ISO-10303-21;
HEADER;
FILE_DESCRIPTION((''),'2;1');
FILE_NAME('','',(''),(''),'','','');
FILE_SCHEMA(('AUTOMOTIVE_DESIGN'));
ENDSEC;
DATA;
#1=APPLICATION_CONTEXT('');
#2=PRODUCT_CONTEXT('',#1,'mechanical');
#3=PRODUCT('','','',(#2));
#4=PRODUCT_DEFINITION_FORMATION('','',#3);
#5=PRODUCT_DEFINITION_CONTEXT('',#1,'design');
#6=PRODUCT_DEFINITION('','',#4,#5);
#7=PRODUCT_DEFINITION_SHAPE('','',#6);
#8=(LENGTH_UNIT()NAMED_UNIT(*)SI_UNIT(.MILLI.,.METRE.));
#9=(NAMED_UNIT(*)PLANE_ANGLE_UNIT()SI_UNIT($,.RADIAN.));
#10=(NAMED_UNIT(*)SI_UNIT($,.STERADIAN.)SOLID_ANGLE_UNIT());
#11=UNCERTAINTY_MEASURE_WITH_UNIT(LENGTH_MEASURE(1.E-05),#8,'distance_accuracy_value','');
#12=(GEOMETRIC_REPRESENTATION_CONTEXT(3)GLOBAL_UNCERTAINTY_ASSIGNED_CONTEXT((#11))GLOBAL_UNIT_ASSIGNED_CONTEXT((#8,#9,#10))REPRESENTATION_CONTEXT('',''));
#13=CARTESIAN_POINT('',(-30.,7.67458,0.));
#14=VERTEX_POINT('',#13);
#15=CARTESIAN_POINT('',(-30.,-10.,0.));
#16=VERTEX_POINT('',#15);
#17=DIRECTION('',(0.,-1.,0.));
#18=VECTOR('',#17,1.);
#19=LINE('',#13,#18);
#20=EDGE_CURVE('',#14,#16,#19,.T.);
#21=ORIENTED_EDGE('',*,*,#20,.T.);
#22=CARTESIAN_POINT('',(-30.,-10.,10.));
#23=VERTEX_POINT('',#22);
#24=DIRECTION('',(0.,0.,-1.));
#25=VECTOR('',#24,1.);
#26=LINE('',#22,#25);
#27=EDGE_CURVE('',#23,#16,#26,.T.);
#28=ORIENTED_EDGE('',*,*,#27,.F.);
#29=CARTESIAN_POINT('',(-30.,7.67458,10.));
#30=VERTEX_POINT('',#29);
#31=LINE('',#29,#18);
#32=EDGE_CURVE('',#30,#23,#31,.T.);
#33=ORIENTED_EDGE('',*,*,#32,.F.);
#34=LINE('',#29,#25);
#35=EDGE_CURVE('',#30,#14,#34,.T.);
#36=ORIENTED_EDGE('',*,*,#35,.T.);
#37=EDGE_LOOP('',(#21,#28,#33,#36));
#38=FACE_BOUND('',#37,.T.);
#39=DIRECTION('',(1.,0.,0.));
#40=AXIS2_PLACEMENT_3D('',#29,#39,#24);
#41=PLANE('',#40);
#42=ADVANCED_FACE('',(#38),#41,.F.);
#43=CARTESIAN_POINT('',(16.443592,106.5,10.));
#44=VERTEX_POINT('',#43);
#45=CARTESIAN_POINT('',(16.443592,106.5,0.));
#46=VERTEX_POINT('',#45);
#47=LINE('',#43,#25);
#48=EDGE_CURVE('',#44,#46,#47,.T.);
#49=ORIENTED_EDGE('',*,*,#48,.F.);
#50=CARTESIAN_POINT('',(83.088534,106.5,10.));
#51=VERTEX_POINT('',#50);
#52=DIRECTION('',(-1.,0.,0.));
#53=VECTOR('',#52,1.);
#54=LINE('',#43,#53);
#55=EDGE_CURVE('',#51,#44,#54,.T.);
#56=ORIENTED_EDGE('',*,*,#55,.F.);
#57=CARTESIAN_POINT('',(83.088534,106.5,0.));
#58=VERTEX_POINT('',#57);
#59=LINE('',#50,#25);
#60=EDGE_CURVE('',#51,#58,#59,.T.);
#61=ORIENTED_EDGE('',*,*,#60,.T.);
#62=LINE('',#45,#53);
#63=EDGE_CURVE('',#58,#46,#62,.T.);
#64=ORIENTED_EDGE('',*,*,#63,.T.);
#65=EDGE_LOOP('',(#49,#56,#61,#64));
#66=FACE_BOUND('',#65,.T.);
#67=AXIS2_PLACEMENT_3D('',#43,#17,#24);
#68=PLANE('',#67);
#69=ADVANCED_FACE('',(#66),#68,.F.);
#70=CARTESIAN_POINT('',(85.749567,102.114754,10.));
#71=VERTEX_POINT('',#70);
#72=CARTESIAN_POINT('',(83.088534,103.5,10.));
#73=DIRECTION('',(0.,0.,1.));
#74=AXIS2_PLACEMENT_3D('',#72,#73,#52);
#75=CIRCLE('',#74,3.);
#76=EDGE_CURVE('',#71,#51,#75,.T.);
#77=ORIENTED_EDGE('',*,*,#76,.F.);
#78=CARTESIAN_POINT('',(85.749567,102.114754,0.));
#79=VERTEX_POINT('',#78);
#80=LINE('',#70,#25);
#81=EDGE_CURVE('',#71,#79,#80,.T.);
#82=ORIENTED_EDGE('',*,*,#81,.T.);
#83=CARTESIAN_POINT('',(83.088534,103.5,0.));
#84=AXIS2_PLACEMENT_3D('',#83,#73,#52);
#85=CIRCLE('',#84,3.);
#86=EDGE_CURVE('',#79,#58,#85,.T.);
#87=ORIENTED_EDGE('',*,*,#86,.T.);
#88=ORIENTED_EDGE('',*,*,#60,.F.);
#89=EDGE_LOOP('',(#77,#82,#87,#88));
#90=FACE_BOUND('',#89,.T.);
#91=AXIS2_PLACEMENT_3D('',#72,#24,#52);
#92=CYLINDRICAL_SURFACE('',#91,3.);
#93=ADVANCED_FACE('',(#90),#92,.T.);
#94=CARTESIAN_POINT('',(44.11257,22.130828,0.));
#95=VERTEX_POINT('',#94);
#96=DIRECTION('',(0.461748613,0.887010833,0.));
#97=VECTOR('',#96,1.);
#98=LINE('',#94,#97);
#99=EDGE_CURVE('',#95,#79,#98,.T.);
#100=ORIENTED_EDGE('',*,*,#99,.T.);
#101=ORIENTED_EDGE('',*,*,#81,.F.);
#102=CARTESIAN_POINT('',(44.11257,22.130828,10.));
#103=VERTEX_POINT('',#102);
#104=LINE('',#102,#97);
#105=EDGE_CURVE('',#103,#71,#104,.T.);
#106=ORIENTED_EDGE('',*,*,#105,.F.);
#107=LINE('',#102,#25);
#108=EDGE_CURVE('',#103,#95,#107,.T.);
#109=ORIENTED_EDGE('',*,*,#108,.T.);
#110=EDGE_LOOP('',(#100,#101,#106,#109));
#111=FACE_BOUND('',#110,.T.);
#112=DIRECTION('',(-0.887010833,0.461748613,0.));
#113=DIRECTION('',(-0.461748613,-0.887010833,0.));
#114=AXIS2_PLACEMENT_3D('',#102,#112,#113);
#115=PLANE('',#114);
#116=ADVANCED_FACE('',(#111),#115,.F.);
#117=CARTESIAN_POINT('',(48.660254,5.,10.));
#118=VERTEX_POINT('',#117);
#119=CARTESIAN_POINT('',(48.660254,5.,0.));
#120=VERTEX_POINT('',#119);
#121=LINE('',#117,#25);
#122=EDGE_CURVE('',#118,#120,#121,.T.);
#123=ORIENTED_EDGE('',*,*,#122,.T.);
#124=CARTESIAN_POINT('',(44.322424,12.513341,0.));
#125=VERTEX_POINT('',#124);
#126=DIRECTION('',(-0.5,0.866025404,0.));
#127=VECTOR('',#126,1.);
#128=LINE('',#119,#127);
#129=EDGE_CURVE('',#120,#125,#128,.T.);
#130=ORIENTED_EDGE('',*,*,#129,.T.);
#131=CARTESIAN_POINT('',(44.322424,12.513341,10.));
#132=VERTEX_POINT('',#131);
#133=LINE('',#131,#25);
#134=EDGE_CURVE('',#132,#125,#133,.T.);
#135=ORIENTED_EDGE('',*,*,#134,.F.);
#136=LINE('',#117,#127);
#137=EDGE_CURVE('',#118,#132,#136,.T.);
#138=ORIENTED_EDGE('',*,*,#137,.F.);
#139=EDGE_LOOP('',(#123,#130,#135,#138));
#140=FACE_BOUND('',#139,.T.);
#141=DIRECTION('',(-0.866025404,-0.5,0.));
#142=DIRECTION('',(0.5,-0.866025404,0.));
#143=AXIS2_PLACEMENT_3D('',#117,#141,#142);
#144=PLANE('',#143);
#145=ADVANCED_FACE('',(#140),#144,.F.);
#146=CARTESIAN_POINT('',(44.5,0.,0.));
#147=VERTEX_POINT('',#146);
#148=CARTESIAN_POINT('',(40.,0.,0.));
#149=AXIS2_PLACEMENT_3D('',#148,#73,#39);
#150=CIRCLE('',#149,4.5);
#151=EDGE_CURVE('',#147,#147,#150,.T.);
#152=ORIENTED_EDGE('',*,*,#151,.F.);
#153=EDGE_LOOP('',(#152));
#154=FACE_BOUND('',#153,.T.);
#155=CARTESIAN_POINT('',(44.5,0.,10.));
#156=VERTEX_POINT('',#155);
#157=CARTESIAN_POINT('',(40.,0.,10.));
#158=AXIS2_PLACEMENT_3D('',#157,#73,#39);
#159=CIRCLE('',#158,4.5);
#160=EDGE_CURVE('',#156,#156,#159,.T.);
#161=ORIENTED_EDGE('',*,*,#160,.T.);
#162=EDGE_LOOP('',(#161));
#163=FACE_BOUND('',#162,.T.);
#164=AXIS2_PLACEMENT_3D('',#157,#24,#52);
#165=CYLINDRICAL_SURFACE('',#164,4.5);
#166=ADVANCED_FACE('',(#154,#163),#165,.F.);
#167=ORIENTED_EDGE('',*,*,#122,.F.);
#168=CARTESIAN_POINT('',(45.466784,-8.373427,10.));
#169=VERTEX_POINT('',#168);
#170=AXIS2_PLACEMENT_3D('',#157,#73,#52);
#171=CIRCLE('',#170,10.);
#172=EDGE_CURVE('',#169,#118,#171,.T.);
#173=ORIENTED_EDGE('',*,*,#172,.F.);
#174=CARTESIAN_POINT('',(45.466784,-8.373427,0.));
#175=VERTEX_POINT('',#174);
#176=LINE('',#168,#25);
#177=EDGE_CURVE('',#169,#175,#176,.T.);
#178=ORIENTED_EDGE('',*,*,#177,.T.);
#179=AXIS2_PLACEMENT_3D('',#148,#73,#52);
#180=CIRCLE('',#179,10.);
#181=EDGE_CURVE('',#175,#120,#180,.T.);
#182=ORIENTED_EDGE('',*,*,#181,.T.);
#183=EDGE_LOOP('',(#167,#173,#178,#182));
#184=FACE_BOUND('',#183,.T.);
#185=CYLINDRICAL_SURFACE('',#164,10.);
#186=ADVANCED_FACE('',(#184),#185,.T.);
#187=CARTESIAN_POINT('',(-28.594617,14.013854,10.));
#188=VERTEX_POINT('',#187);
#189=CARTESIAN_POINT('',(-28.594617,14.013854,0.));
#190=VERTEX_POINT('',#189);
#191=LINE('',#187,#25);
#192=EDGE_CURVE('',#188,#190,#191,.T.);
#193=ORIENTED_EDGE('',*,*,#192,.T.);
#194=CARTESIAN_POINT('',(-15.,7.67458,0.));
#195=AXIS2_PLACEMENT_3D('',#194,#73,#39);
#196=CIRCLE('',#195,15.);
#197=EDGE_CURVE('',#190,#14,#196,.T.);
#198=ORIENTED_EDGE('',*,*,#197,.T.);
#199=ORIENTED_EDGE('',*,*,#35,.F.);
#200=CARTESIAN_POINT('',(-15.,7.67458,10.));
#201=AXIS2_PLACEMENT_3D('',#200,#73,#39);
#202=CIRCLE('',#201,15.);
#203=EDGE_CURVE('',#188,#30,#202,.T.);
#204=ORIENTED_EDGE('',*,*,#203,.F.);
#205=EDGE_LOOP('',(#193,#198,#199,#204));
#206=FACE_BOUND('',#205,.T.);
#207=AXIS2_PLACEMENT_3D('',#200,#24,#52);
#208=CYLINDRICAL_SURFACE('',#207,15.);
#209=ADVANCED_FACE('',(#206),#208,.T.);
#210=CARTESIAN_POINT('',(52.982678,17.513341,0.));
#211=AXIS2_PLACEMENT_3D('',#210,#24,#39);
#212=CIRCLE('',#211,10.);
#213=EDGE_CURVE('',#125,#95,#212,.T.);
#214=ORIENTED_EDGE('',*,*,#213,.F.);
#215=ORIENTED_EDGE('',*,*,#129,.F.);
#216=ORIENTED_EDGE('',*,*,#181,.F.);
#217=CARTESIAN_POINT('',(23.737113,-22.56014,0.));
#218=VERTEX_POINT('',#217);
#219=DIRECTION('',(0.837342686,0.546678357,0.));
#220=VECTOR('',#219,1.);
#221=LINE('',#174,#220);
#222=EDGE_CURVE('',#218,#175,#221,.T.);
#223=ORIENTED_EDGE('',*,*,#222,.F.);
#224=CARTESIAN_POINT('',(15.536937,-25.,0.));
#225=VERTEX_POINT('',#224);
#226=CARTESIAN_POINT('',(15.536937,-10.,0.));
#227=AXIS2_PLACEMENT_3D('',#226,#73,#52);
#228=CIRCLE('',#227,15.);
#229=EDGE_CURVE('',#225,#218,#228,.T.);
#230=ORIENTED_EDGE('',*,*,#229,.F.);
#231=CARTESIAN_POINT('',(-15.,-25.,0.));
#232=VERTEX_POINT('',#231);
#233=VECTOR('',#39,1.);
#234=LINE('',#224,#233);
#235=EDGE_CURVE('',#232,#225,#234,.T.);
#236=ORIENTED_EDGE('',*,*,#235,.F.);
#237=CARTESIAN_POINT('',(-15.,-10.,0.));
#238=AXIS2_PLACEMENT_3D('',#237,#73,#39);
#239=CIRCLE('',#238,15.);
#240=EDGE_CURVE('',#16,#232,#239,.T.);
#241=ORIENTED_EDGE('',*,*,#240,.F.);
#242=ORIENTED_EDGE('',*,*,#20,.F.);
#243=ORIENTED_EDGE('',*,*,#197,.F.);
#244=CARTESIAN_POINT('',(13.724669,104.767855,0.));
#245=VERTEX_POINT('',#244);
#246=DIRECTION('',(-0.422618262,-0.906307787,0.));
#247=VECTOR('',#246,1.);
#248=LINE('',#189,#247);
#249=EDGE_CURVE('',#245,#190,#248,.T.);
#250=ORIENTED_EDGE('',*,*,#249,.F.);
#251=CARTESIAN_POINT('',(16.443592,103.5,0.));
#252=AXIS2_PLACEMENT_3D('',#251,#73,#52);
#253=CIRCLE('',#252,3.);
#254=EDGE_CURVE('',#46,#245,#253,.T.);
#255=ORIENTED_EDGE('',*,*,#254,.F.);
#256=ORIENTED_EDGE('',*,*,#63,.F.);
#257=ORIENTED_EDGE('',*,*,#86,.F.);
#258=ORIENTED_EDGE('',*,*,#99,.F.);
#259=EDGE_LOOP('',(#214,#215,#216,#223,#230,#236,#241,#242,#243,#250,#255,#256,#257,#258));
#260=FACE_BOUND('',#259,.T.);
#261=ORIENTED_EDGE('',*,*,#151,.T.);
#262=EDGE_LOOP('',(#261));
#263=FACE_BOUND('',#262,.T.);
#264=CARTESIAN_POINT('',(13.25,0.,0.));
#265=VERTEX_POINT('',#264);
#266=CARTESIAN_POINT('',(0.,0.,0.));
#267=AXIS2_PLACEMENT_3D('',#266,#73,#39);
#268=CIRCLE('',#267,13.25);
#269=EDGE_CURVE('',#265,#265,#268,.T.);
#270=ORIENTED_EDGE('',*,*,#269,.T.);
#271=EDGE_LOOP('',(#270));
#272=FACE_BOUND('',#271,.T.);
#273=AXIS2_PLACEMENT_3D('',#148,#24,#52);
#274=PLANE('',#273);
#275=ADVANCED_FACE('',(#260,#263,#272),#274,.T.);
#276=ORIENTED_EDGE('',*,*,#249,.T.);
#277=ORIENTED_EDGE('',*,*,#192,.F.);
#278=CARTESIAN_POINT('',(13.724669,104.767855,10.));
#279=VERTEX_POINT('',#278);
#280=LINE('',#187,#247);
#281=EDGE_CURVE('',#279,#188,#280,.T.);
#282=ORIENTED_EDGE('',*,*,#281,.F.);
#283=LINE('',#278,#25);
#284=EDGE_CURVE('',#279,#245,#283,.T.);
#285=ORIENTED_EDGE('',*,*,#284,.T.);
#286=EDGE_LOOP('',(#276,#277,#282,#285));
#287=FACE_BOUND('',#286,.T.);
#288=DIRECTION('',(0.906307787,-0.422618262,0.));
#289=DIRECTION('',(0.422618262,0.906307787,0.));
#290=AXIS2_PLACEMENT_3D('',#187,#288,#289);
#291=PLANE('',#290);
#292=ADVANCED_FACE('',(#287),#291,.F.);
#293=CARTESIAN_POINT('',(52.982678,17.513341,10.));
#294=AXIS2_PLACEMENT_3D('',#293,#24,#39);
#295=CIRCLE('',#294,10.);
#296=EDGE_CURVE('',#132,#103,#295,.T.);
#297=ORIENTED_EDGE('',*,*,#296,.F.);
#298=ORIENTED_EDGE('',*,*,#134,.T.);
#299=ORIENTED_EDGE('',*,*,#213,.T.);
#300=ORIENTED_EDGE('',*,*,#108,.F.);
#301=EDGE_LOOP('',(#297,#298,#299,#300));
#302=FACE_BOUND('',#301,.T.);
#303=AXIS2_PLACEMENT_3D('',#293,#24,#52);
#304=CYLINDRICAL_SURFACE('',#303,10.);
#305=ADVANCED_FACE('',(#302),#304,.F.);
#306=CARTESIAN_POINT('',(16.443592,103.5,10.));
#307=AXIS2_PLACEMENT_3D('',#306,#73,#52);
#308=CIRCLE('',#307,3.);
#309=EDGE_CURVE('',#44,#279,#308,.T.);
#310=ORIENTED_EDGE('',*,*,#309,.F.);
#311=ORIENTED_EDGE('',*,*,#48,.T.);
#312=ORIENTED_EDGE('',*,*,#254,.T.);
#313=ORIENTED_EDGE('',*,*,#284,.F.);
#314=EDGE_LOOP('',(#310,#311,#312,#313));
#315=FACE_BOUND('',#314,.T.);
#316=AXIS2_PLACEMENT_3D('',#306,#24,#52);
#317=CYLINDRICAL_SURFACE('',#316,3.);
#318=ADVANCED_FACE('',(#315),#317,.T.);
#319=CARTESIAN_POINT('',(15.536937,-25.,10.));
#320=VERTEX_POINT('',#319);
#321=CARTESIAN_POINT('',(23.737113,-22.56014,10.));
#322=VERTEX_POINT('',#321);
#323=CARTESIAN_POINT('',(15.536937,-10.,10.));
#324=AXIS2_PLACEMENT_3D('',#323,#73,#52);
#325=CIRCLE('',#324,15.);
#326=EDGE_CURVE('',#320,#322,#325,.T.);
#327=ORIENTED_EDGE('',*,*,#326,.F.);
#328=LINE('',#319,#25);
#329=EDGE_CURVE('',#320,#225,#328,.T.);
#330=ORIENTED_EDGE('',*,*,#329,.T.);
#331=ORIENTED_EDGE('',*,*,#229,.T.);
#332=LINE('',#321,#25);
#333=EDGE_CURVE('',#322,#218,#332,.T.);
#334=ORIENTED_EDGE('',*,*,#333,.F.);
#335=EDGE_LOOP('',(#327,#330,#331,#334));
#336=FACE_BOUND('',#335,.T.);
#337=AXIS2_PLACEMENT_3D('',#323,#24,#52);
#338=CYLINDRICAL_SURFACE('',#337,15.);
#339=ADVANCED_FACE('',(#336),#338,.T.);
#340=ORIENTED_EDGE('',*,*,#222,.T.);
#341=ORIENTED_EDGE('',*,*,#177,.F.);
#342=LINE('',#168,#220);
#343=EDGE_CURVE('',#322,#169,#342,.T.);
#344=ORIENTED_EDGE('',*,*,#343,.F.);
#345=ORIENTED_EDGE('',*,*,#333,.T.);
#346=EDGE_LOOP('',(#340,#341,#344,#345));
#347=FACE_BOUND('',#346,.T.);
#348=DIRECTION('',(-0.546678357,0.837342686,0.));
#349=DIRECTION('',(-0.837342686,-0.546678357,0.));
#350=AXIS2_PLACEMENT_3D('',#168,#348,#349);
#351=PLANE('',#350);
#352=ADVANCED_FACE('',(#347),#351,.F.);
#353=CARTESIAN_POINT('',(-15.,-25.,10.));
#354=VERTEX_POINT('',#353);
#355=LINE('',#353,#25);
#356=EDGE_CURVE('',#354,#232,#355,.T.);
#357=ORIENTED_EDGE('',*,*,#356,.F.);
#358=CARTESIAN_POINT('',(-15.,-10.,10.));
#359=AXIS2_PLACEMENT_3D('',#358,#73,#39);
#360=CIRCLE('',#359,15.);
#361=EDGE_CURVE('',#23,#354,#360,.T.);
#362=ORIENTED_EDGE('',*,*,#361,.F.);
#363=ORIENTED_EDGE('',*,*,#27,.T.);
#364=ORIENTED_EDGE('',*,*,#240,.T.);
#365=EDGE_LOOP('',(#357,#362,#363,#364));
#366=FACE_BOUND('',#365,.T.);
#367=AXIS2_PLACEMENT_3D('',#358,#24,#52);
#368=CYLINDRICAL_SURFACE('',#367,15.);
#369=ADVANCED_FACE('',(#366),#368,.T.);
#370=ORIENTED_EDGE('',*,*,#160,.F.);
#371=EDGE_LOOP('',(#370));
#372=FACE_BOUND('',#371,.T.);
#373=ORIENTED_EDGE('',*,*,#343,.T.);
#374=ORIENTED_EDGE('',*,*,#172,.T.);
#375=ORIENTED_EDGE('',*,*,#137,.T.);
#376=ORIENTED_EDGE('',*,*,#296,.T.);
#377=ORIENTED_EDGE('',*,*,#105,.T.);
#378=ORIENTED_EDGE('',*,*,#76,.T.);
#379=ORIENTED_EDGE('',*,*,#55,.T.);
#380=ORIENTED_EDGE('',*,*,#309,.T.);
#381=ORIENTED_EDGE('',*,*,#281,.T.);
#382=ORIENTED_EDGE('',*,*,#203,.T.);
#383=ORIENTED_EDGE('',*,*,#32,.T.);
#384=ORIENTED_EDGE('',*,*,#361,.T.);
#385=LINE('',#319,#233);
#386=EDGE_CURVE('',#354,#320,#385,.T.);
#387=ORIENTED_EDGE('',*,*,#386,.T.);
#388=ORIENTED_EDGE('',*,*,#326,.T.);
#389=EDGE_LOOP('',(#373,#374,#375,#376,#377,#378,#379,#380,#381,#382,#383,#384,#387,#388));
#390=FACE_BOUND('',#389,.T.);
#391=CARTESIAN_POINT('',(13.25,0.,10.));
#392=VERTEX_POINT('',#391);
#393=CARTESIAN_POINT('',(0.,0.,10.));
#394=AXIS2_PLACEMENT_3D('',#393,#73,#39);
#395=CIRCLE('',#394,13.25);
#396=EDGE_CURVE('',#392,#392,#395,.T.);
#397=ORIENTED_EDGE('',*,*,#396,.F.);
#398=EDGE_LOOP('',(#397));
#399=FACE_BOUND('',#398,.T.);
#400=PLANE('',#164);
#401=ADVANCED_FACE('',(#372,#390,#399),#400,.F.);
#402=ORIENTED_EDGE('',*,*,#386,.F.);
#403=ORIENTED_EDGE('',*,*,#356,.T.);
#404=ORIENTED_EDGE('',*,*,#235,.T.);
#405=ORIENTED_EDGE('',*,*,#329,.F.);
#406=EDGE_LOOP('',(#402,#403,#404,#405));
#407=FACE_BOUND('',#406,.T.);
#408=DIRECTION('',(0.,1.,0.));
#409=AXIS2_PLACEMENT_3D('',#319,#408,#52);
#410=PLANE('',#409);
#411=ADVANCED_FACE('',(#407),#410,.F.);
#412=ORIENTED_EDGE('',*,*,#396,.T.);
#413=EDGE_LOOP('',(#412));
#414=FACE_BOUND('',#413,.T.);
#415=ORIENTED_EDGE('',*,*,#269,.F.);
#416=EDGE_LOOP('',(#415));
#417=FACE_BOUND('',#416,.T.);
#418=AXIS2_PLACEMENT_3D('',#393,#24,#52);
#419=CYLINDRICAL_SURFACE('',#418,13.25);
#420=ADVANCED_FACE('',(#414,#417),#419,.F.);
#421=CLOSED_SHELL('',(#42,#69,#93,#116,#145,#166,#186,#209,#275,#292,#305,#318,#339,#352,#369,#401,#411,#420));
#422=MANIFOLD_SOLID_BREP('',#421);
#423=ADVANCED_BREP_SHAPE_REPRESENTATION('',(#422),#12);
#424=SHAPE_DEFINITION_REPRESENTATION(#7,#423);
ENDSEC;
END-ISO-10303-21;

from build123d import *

# Parameters (mm, degrees)
SKETCH1_R          = 13.25
SKETCH1_R_2        = 4.5
BASE_EXTRUDE_DEPTH = 10


with BuildPart() as part:
    # Sketch1 → Base-Extrude (new body)
    with BuildSketch(Plane.XY):
        with BuildLine():
            Line((45.466783574, -8.373426859), (23.737112795, -22.560140288))
            ThreePointArc((23.737112795, -22.560140288), (19.814664383, -24.377101661), (15.536937435, -25))
            Line((15.536937435, -25), (-15, -25))
            ThreePointArc((-15, -25), (-25.606601718, -20.606601718), (-30, -10))
            Line((-30, -10), (-30, 7.67458006))
            ThreePointArc((-30, 7.67458006), (-29.644440107, 10.921174269), (-28.594616806, 14.013853986))
            Line((-28.594616806, 14.013853986), (13.724668775, 104.767854785))
            ThreePointArc((13.724668775, 104.767854785), (14.831693311, 106.030174337), (16.443592136, 106.5))
            Line((16.443592136, 106.5), (83.088534362, 106.5))
            ThreePointArc((83.088534362, 106.5), (85.653269974, 105.056319774), (85.749566861, 102.11475416))
            Line((85.749566861, 102.11475416), (44.112570075, 22.130827513))
            ThreePointArc((44.112570075, 22.130827513), (42.985058136, 17.295192531), (44.322424369, 12.513341381))
            Line((44.322424369, 12.513341381), (48.660254038, 5))
            ThreePointArc((48.660254038, 5), (49.726532496, -2.322620416), (45.466783574, -8.373426859))
        make_face()
        Circle(SKETCH1_R, mode=Mode.SUBTRACT)
        with Locations((40, 0)):
            Circle(SKETCH1_R_2, mode=Mode.SUBTRACT)
    extrude(amount=BASE_EXTRUDE_DEPTH)


solid = part.part
